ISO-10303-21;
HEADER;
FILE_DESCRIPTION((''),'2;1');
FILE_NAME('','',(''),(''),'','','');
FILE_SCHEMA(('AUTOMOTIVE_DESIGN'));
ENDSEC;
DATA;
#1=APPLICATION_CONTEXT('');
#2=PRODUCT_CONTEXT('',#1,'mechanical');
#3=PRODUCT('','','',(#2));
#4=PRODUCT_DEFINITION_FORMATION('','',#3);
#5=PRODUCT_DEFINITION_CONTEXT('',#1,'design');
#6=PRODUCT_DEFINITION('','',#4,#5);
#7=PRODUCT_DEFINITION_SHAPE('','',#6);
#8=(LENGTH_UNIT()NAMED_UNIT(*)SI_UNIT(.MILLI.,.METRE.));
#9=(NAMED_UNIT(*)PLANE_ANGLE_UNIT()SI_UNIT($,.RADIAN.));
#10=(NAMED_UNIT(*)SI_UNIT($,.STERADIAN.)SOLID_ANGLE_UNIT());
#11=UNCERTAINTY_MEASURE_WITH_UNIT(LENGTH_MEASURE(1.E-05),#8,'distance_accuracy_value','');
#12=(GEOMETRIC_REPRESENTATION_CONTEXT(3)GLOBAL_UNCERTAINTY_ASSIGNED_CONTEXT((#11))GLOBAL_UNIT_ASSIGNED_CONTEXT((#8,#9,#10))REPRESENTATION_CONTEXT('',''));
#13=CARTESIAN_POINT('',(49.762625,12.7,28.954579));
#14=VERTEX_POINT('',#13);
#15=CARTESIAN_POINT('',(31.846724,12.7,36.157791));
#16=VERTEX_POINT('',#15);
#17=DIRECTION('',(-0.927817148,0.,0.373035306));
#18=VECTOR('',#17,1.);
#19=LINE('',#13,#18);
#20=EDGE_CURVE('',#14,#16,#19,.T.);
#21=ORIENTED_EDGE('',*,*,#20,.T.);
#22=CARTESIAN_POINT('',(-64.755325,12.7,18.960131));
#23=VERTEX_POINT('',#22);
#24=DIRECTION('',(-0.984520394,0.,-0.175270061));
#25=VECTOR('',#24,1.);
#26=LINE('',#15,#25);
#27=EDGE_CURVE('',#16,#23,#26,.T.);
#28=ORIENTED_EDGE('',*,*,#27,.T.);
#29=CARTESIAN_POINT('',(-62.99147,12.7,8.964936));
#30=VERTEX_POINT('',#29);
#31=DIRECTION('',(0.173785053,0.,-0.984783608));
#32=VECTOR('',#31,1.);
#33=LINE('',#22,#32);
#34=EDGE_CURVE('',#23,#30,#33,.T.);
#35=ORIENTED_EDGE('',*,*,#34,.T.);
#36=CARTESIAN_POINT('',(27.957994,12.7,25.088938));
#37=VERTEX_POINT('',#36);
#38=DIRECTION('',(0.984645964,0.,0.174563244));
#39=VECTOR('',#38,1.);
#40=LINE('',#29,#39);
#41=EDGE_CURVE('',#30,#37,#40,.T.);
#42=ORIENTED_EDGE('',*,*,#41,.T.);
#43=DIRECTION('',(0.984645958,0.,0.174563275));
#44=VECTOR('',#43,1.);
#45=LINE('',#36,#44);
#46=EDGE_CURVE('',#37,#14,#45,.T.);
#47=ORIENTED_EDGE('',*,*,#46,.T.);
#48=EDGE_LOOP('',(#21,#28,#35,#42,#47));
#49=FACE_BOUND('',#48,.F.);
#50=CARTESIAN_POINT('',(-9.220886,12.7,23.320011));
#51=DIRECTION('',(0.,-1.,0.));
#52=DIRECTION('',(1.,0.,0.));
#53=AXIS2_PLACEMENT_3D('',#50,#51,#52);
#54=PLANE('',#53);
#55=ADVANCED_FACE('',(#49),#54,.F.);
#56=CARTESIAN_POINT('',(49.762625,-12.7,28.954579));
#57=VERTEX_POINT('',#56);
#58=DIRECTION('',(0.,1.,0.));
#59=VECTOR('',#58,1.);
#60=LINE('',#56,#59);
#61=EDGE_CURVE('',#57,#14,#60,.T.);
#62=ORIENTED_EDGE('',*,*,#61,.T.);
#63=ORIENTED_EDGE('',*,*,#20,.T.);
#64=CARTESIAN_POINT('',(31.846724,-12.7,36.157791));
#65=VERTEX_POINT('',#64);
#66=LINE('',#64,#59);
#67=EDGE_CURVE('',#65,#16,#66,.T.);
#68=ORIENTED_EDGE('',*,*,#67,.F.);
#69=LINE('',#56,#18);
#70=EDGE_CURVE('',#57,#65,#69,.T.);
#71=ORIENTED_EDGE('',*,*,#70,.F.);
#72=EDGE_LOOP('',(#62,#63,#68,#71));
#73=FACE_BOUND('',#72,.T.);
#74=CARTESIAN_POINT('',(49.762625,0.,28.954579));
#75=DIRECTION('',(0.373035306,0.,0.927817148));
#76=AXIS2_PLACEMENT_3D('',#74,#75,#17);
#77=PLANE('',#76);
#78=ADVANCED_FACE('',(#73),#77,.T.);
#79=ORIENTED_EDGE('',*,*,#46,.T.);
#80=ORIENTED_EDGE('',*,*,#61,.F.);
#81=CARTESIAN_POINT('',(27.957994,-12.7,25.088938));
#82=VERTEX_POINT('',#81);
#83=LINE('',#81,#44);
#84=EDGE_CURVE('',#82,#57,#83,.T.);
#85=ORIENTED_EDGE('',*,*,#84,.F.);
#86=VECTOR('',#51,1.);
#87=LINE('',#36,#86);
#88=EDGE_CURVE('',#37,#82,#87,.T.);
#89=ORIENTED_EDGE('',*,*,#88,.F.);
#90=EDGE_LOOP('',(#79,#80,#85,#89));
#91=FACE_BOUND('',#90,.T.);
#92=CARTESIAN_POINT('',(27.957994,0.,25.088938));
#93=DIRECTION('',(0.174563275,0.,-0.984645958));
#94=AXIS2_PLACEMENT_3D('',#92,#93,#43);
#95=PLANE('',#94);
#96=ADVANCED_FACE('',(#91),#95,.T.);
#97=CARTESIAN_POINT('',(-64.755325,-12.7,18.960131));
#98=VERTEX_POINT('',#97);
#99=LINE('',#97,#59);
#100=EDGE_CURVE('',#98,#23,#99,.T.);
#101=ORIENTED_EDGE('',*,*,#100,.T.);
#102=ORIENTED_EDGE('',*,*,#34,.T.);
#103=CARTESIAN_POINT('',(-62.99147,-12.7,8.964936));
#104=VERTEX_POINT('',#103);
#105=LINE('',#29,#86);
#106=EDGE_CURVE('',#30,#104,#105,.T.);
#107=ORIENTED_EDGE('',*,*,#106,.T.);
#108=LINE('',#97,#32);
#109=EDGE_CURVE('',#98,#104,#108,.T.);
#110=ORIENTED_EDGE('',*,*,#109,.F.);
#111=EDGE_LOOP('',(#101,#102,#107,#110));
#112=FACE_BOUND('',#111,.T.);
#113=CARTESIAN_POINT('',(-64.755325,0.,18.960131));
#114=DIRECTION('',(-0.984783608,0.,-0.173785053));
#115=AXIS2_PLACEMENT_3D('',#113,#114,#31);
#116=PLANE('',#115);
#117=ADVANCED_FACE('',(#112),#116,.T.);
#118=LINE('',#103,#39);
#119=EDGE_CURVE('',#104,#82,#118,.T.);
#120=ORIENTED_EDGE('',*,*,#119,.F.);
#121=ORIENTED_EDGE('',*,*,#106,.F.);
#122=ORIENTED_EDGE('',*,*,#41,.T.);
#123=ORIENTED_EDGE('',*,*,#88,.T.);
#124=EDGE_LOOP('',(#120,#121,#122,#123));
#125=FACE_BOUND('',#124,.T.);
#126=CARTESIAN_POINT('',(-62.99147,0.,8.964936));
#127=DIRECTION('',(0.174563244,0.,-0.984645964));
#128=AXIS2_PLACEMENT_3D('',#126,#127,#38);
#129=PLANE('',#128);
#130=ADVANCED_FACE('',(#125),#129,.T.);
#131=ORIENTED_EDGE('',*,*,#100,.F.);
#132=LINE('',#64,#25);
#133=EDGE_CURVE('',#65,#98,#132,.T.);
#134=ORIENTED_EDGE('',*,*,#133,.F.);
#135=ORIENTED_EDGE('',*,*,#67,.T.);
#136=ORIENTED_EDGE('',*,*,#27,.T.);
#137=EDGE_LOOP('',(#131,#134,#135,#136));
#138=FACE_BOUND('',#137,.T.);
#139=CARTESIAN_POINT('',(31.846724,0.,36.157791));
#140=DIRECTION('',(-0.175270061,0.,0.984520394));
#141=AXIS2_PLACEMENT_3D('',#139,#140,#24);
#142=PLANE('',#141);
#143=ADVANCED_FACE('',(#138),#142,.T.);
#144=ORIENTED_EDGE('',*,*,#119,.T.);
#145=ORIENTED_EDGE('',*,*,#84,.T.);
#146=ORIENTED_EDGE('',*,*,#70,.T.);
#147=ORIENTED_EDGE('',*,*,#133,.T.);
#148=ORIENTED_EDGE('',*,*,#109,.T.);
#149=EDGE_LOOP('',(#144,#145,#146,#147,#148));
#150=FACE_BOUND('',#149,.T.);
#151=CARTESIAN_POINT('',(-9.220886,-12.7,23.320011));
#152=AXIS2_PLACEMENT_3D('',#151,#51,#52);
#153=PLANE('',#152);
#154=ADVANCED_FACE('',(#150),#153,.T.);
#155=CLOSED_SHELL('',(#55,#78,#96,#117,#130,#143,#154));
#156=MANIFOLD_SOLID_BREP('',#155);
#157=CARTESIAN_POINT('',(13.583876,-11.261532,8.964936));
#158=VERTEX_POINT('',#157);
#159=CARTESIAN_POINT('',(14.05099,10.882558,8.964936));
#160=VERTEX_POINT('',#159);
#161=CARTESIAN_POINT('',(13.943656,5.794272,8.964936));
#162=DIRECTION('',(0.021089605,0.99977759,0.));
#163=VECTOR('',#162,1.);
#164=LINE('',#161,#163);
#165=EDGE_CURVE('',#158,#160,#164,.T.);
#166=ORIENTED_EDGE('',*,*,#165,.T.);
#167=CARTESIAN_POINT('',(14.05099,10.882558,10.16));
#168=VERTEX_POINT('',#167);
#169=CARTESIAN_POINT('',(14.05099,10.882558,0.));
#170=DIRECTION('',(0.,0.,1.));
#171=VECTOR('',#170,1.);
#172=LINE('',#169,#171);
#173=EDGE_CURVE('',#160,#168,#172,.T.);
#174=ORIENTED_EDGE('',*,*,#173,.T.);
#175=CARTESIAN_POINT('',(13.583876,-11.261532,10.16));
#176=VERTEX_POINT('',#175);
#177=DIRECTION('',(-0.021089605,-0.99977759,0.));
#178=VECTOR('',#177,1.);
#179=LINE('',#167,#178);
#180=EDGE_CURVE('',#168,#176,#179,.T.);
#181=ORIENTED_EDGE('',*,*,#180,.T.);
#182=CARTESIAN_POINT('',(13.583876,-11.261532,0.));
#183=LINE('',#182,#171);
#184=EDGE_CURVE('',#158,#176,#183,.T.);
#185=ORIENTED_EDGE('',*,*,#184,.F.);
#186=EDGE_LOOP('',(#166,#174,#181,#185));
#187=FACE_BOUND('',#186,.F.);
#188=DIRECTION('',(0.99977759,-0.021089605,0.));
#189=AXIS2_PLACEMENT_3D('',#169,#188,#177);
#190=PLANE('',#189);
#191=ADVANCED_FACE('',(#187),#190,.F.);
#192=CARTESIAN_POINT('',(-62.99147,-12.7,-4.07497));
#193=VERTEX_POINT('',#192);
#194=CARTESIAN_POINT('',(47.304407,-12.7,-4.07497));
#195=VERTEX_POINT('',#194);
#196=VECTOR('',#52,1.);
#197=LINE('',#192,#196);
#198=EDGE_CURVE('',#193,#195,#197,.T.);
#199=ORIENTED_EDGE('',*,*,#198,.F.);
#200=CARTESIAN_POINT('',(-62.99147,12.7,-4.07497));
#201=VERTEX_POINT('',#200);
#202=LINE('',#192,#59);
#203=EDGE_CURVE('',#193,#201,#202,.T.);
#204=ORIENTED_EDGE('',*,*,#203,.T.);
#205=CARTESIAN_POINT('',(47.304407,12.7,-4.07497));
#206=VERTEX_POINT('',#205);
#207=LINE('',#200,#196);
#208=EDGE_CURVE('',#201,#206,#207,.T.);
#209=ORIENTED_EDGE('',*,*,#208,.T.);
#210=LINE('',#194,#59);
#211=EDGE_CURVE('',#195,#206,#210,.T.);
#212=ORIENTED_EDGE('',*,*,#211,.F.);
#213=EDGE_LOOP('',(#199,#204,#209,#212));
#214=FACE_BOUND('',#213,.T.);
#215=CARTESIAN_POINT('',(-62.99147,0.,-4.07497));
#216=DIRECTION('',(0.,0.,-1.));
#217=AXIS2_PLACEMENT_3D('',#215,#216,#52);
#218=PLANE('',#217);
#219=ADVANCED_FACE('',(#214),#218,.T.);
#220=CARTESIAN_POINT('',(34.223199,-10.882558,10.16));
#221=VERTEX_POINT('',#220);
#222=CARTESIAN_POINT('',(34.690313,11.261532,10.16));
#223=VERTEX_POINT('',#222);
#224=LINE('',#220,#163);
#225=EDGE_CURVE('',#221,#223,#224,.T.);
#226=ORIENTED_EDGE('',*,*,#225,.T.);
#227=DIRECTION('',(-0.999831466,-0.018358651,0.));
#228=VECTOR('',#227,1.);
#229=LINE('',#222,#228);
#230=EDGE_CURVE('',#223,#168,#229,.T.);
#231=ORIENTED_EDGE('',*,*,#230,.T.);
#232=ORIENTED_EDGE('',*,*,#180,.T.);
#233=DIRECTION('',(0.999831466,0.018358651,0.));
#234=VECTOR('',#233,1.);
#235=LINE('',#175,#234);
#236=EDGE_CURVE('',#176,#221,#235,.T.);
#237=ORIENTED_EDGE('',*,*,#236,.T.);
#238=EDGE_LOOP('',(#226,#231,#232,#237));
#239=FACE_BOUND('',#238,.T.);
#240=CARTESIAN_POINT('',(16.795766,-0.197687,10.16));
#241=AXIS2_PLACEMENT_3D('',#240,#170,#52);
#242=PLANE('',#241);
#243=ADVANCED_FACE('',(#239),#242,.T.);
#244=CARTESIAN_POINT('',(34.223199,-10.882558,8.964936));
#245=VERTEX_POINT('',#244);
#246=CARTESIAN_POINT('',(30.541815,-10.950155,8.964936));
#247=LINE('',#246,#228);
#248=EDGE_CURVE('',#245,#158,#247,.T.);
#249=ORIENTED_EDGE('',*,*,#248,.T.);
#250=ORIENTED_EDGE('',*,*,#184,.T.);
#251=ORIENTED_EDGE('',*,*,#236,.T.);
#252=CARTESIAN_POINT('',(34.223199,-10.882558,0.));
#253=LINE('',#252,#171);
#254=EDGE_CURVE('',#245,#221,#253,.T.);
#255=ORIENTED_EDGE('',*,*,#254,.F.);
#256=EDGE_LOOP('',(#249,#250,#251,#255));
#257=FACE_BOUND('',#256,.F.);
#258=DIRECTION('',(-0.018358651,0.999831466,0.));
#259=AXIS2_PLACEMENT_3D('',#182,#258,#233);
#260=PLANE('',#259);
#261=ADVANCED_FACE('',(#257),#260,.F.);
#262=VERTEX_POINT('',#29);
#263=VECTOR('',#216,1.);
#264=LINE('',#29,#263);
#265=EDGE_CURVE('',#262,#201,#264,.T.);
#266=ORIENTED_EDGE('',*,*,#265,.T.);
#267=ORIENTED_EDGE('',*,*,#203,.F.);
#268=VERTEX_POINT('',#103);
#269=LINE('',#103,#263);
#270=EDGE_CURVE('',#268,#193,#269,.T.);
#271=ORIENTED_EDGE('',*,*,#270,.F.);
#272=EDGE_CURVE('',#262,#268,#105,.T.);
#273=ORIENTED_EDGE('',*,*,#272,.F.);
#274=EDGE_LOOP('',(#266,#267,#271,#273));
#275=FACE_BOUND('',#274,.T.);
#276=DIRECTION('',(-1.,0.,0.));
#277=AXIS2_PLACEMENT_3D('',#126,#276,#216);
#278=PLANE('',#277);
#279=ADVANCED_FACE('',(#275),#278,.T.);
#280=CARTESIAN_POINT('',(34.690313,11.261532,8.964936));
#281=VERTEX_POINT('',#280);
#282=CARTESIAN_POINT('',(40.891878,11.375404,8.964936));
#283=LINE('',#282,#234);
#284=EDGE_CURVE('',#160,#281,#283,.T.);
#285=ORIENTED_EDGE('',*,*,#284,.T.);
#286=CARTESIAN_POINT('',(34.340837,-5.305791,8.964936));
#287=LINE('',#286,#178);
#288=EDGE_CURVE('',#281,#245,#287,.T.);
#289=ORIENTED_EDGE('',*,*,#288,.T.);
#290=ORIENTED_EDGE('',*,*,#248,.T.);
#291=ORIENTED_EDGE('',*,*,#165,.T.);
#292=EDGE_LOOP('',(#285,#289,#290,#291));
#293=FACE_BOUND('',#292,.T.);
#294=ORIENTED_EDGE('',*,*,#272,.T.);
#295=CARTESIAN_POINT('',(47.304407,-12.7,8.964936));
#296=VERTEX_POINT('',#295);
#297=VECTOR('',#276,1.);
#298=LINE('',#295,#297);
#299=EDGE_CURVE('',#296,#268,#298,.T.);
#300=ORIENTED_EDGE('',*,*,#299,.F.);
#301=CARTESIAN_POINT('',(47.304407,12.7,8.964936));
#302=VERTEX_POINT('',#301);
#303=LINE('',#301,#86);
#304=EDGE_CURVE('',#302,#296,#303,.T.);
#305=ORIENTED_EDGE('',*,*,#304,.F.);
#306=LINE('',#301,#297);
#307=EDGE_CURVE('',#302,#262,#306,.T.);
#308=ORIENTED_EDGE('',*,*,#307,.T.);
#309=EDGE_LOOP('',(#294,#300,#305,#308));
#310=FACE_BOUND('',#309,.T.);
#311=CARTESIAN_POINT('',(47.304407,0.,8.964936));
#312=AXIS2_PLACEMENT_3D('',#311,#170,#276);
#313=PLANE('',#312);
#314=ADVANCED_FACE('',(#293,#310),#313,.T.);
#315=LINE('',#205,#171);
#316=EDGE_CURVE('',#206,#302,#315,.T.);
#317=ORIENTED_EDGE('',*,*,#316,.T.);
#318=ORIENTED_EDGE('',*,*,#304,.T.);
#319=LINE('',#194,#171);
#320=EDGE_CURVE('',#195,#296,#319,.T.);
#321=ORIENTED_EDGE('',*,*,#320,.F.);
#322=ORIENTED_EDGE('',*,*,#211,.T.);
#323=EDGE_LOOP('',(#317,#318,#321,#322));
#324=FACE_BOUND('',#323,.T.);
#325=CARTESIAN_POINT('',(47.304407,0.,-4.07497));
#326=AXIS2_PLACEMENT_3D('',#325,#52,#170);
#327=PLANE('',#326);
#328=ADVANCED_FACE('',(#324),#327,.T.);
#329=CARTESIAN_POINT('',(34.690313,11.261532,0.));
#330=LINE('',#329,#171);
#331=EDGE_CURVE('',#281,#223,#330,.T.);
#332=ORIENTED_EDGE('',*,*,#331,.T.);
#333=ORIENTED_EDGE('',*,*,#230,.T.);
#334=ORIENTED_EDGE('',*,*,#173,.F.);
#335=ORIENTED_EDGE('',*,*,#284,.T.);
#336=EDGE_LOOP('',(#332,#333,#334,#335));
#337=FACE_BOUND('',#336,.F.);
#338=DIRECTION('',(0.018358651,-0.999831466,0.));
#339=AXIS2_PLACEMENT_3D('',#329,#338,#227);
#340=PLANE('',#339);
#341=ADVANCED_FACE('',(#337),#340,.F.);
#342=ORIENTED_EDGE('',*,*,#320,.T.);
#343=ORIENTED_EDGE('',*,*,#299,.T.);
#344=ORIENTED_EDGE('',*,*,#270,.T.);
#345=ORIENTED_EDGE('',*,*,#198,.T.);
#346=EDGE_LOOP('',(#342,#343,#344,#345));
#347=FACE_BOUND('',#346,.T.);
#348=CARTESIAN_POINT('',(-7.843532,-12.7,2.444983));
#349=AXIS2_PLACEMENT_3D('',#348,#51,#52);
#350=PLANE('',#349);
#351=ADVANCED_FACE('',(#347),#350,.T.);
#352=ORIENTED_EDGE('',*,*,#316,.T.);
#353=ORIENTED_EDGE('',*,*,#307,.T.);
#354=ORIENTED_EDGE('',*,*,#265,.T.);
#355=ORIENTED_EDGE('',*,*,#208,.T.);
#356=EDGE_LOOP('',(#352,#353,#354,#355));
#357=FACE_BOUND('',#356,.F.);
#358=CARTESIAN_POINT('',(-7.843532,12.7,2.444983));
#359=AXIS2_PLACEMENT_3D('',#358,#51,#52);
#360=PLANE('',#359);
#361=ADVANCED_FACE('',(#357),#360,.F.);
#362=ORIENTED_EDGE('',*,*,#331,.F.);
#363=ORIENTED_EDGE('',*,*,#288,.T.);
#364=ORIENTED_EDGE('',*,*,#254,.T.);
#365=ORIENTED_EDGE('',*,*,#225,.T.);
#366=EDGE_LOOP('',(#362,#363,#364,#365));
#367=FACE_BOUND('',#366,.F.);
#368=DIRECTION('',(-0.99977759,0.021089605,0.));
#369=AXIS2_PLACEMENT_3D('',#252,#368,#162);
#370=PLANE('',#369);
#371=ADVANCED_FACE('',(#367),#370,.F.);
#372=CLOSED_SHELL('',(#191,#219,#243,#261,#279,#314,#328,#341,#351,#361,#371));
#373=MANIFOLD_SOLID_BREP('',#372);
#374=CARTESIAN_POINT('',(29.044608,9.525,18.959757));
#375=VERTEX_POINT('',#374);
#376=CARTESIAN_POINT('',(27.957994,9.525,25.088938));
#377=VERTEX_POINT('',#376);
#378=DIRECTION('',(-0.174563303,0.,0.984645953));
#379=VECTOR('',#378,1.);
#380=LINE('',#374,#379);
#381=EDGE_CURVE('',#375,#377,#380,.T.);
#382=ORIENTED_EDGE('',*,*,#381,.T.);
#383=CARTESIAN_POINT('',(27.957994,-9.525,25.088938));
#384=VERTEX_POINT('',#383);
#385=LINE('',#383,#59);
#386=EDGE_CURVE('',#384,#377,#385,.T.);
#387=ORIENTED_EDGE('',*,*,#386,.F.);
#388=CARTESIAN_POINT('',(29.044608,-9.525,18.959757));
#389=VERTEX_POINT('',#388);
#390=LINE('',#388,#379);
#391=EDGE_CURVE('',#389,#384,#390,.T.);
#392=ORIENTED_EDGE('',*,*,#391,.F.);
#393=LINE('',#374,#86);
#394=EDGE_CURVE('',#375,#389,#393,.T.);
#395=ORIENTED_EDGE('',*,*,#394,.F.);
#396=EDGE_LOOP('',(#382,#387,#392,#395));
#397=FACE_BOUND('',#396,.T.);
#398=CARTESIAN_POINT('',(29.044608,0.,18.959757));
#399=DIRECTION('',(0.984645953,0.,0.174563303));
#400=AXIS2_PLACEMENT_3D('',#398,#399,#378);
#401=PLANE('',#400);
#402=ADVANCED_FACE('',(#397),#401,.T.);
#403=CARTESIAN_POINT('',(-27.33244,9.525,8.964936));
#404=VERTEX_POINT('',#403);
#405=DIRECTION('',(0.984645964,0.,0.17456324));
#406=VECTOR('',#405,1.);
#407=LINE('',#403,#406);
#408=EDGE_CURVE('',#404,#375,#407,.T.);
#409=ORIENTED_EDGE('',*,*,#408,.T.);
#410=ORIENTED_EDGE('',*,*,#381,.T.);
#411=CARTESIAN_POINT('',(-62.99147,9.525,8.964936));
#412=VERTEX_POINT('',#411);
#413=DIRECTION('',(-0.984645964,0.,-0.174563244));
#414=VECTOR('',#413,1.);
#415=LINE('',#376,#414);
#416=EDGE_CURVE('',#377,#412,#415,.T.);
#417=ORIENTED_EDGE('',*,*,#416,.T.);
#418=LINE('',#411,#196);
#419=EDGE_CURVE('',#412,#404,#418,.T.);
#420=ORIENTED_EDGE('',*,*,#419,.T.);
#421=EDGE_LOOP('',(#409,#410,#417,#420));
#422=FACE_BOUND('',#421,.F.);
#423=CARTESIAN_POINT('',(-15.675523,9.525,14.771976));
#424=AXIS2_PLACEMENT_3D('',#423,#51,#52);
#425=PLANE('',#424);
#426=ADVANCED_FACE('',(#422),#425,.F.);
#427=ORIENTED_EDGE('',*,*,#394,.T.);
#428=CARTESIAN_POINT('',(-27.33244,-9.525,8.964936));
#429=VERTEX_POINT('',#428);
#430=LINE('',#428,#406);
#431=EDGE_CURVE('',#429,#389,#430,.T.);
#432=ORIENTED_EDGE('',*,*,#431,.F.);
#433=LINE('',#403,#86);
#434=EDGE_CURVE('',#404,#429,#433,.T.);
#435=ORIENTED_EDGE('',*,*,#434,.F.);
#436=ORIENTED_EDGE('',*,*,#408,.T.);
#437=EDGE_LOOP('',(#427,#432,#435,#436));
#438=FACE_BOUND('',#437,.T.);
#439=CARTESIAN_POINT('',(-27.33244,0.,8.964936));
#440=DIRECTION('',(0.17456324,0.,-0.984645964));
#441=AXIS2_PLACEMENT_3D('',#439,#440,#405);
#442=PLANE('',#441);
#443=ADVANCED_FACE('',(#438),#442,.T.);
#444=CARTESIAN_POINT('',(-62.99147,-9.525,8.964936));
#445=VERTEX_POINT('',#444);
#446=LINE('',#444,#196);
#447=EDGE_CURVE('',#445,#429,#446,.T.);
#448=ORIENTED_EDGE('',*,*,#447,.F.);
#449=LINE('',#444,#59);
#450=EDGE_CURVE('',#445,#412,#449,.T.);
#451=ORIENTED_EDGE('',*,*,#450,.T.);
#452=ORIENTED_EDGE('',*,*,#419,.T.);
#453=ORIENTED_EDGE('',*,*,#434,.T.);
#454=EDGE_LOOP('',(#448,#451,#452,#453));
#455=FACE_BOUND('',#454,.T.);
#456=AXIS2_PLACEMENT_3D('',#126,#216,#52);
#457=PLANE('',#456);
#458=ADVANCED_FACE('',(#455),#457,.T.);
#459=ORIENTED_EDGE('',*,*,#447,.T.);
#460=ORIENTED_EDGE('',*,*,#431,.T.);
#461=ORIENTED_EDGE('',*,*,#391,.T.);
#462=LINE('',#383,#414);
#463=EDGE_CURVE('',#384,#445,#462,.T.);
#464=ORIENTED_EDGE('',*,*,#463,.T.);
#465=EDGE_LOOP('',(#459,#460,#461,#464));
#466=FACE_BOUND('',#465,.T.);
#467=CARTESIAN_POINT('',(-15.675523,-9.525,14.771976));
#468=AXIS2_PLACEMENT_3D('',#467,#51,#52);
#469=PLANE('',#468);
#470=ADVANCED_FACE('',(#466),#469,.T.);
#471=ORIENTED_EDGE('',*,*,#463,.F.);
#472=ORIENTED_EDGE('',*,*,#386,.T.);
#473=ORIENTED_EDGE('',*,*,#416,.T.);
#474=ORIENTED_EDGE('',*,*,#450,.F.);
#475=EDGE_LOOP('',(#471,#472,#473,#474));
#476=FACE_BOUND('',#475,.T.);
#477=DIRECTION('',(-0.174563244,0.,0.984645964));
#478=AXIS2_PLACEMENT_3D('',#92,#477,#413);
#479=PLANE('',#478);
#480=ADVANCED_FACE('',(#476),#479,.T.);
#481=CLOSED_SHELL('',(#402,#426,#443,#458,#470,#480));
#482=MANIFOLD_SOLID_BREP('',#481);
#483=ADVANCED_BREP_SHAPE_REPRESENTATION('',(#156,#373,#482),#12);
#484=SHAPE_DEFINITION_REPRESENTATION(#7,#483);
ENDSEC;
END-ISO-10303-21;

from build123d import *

# Parameters (mm, degrees)
F1_DEPTH = 12.7
F2_DEPTH = 9.525
F4_DEPTH = 10.16


with BuildPart() as f1:
    # F0 (on Front) → F1 (new body, symmetric)
    with BuildSketch(Plane.XZ):
        Polygon((-64.755325, 18.960131), (-62.99147, 8.964936), (27.957994, 25.088938), (49.762625, 28.954579), (31.846724, 36.157791), align=None)
        Polygon((47.304407, -4.07497), (47.304407, 8.964936), (-27.33244, 8.964936), (-62.99147, 8.964936), (-62.99147, -4.07497), align=None)
    extrude(amount=F1_DEPTH, both=True)

    # F3 (on Top) → F4 (join)
    with BuildSketch(Plane.XY):
        Polygon((24.137095, 0), (14.05099, 10.882558), (13.583876, -11.261532), align=None)
        Polygon((34.690313, 11.261532), (14.05099, 10.882558), (24.137095, 0), align=None)
        Polygon((24.137095, 0), (13.583876, -11.261532), (34.223199, -10.882558), align=None)
        Polygon((34.690313, 11.261532), (24.137095, 0), (34.223199, -10.882558), align=None)
    extrude(amount=F4_DEPTH)


with BuildPart() as f2:
    # F0 (on Front) → F2 (new body, symmetric)
    with BuildSketch(Plane.XZ):
        Polygon((-62.99147, 8.964936), (-27.33244, 8.964936), (29.044608, 18.959757), (27.957994, 25.088938), align=None)
    extrude(amount=F2_DEPTH, both=True)


solid = Compound([f1.part, f2.part])
